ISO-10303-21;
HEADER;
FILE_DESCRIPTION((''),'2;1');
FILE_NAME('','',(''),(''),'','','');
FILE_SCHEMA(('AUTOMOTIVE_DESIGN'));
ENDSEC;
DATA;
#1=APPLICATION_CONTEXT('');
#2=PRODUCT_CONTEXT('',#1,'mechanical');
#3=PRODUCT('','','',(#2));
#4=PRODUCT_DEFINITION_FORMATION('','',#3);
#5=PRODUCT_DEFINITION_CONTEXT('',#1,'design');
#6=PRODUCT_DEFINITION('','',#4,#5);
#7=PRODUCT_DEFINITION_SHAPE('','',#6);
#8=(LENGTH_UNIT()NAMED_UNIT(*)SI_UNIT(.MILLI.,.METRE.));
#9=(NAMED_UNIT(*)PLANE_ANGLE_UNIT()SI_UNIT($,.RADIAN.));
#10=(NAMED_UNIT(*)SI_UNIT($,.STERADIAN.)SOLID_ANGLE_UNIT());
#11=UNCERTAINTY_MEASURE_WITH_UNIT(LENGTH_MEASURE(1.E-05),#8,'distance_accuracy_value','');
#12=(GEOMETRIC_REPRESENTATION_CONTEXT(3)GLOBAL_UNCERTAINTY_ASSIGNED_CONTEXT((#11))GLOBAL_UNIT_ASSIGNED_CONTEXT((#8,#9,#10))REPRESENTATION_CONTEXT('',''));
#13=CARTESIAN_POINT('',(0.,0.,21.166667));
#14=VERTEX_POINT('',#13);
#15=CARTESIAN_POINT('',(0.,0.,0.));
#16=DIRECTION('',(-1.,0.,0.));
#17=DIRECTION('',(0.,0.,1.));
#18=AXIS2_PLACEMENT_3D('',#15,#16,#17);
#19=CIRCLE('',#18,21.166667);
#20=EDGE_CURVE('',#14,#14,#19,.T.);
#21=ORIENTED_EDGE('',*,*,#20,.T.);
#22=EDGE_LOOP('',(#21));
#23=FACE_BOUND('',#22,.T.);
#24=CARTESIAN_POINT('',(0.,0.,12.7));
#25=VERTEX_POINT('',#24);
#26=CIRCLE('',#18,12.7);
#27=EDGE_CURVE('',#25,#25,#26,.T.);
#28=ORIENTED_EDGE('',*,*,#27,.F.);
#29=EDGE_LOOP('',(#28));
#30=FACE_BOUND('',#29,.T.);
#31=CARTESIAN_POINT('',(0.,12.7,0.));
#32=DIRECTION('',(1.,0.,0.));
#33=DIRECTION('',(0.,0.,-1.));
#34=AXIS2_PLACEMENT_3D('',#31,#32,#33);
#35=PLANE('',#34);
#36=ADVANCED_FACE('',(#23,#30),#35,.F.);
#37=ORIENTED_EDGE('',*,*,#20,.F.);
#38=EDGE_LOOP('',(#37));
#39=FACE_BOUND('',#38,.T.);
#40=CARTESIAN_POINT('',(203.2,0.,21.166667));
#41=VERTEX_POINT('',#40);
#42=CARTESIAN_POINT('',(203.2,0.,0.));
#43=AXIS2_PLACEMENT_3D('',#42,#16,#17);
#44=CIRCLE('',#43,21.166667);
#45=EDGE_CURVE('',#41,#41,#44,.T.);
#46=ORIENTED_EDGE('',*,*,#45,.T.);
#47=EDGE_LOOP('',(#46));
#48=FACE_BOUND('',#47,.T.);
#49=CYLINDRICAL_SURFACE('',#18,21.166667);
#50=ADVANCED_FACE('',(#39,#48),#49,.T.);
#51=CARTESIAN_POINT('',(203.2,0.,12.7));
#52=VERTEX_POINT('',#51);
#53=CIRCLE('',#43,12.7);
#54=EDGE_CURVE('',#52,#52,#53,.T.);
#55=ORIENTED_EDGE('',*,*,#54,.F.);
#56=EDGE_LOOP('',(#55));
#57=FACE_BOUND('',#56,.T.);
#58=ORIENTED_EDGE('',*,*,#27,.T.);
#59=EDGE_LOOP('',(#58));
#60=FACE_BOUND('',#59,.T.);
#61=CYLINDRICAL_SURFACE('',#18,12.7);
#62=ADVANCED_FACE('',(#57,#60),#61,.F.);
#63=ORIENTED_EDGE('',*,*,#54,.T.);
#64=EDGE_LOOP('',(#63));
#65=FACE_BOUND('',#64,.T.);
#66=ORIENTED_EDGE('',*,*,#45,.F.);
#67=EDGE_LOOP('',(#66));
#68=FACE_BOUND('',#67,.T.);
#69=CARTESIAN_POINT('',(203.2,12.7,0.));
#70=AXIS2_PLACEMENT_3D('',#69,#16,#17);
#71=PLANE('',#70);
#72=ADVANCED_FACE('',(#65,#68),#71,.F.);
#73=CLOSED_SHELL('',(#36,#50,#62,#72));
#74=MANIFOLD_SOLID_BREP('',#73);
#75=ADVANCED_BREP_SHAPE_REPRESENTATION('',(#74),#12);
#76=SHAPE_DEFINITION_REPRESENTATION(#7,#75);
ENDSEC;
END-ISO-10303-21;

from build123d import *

# Parameters (mm, degrees)
SKETCH1_W = 203.2
SKETCH1_H = 8.466666667


with BuildPart() as part:
    # Sketch1 → Revolve1 (revolve)
    with BuildSketch(Plane.XY):
        with Locations((101.6, 16.933333334)):
            Rectangle(SKETCH1_W, SKETCH1_H)
    revolve(axis=Axis((0, 0, 0), (1, 0, 0)))


solid = part.part
